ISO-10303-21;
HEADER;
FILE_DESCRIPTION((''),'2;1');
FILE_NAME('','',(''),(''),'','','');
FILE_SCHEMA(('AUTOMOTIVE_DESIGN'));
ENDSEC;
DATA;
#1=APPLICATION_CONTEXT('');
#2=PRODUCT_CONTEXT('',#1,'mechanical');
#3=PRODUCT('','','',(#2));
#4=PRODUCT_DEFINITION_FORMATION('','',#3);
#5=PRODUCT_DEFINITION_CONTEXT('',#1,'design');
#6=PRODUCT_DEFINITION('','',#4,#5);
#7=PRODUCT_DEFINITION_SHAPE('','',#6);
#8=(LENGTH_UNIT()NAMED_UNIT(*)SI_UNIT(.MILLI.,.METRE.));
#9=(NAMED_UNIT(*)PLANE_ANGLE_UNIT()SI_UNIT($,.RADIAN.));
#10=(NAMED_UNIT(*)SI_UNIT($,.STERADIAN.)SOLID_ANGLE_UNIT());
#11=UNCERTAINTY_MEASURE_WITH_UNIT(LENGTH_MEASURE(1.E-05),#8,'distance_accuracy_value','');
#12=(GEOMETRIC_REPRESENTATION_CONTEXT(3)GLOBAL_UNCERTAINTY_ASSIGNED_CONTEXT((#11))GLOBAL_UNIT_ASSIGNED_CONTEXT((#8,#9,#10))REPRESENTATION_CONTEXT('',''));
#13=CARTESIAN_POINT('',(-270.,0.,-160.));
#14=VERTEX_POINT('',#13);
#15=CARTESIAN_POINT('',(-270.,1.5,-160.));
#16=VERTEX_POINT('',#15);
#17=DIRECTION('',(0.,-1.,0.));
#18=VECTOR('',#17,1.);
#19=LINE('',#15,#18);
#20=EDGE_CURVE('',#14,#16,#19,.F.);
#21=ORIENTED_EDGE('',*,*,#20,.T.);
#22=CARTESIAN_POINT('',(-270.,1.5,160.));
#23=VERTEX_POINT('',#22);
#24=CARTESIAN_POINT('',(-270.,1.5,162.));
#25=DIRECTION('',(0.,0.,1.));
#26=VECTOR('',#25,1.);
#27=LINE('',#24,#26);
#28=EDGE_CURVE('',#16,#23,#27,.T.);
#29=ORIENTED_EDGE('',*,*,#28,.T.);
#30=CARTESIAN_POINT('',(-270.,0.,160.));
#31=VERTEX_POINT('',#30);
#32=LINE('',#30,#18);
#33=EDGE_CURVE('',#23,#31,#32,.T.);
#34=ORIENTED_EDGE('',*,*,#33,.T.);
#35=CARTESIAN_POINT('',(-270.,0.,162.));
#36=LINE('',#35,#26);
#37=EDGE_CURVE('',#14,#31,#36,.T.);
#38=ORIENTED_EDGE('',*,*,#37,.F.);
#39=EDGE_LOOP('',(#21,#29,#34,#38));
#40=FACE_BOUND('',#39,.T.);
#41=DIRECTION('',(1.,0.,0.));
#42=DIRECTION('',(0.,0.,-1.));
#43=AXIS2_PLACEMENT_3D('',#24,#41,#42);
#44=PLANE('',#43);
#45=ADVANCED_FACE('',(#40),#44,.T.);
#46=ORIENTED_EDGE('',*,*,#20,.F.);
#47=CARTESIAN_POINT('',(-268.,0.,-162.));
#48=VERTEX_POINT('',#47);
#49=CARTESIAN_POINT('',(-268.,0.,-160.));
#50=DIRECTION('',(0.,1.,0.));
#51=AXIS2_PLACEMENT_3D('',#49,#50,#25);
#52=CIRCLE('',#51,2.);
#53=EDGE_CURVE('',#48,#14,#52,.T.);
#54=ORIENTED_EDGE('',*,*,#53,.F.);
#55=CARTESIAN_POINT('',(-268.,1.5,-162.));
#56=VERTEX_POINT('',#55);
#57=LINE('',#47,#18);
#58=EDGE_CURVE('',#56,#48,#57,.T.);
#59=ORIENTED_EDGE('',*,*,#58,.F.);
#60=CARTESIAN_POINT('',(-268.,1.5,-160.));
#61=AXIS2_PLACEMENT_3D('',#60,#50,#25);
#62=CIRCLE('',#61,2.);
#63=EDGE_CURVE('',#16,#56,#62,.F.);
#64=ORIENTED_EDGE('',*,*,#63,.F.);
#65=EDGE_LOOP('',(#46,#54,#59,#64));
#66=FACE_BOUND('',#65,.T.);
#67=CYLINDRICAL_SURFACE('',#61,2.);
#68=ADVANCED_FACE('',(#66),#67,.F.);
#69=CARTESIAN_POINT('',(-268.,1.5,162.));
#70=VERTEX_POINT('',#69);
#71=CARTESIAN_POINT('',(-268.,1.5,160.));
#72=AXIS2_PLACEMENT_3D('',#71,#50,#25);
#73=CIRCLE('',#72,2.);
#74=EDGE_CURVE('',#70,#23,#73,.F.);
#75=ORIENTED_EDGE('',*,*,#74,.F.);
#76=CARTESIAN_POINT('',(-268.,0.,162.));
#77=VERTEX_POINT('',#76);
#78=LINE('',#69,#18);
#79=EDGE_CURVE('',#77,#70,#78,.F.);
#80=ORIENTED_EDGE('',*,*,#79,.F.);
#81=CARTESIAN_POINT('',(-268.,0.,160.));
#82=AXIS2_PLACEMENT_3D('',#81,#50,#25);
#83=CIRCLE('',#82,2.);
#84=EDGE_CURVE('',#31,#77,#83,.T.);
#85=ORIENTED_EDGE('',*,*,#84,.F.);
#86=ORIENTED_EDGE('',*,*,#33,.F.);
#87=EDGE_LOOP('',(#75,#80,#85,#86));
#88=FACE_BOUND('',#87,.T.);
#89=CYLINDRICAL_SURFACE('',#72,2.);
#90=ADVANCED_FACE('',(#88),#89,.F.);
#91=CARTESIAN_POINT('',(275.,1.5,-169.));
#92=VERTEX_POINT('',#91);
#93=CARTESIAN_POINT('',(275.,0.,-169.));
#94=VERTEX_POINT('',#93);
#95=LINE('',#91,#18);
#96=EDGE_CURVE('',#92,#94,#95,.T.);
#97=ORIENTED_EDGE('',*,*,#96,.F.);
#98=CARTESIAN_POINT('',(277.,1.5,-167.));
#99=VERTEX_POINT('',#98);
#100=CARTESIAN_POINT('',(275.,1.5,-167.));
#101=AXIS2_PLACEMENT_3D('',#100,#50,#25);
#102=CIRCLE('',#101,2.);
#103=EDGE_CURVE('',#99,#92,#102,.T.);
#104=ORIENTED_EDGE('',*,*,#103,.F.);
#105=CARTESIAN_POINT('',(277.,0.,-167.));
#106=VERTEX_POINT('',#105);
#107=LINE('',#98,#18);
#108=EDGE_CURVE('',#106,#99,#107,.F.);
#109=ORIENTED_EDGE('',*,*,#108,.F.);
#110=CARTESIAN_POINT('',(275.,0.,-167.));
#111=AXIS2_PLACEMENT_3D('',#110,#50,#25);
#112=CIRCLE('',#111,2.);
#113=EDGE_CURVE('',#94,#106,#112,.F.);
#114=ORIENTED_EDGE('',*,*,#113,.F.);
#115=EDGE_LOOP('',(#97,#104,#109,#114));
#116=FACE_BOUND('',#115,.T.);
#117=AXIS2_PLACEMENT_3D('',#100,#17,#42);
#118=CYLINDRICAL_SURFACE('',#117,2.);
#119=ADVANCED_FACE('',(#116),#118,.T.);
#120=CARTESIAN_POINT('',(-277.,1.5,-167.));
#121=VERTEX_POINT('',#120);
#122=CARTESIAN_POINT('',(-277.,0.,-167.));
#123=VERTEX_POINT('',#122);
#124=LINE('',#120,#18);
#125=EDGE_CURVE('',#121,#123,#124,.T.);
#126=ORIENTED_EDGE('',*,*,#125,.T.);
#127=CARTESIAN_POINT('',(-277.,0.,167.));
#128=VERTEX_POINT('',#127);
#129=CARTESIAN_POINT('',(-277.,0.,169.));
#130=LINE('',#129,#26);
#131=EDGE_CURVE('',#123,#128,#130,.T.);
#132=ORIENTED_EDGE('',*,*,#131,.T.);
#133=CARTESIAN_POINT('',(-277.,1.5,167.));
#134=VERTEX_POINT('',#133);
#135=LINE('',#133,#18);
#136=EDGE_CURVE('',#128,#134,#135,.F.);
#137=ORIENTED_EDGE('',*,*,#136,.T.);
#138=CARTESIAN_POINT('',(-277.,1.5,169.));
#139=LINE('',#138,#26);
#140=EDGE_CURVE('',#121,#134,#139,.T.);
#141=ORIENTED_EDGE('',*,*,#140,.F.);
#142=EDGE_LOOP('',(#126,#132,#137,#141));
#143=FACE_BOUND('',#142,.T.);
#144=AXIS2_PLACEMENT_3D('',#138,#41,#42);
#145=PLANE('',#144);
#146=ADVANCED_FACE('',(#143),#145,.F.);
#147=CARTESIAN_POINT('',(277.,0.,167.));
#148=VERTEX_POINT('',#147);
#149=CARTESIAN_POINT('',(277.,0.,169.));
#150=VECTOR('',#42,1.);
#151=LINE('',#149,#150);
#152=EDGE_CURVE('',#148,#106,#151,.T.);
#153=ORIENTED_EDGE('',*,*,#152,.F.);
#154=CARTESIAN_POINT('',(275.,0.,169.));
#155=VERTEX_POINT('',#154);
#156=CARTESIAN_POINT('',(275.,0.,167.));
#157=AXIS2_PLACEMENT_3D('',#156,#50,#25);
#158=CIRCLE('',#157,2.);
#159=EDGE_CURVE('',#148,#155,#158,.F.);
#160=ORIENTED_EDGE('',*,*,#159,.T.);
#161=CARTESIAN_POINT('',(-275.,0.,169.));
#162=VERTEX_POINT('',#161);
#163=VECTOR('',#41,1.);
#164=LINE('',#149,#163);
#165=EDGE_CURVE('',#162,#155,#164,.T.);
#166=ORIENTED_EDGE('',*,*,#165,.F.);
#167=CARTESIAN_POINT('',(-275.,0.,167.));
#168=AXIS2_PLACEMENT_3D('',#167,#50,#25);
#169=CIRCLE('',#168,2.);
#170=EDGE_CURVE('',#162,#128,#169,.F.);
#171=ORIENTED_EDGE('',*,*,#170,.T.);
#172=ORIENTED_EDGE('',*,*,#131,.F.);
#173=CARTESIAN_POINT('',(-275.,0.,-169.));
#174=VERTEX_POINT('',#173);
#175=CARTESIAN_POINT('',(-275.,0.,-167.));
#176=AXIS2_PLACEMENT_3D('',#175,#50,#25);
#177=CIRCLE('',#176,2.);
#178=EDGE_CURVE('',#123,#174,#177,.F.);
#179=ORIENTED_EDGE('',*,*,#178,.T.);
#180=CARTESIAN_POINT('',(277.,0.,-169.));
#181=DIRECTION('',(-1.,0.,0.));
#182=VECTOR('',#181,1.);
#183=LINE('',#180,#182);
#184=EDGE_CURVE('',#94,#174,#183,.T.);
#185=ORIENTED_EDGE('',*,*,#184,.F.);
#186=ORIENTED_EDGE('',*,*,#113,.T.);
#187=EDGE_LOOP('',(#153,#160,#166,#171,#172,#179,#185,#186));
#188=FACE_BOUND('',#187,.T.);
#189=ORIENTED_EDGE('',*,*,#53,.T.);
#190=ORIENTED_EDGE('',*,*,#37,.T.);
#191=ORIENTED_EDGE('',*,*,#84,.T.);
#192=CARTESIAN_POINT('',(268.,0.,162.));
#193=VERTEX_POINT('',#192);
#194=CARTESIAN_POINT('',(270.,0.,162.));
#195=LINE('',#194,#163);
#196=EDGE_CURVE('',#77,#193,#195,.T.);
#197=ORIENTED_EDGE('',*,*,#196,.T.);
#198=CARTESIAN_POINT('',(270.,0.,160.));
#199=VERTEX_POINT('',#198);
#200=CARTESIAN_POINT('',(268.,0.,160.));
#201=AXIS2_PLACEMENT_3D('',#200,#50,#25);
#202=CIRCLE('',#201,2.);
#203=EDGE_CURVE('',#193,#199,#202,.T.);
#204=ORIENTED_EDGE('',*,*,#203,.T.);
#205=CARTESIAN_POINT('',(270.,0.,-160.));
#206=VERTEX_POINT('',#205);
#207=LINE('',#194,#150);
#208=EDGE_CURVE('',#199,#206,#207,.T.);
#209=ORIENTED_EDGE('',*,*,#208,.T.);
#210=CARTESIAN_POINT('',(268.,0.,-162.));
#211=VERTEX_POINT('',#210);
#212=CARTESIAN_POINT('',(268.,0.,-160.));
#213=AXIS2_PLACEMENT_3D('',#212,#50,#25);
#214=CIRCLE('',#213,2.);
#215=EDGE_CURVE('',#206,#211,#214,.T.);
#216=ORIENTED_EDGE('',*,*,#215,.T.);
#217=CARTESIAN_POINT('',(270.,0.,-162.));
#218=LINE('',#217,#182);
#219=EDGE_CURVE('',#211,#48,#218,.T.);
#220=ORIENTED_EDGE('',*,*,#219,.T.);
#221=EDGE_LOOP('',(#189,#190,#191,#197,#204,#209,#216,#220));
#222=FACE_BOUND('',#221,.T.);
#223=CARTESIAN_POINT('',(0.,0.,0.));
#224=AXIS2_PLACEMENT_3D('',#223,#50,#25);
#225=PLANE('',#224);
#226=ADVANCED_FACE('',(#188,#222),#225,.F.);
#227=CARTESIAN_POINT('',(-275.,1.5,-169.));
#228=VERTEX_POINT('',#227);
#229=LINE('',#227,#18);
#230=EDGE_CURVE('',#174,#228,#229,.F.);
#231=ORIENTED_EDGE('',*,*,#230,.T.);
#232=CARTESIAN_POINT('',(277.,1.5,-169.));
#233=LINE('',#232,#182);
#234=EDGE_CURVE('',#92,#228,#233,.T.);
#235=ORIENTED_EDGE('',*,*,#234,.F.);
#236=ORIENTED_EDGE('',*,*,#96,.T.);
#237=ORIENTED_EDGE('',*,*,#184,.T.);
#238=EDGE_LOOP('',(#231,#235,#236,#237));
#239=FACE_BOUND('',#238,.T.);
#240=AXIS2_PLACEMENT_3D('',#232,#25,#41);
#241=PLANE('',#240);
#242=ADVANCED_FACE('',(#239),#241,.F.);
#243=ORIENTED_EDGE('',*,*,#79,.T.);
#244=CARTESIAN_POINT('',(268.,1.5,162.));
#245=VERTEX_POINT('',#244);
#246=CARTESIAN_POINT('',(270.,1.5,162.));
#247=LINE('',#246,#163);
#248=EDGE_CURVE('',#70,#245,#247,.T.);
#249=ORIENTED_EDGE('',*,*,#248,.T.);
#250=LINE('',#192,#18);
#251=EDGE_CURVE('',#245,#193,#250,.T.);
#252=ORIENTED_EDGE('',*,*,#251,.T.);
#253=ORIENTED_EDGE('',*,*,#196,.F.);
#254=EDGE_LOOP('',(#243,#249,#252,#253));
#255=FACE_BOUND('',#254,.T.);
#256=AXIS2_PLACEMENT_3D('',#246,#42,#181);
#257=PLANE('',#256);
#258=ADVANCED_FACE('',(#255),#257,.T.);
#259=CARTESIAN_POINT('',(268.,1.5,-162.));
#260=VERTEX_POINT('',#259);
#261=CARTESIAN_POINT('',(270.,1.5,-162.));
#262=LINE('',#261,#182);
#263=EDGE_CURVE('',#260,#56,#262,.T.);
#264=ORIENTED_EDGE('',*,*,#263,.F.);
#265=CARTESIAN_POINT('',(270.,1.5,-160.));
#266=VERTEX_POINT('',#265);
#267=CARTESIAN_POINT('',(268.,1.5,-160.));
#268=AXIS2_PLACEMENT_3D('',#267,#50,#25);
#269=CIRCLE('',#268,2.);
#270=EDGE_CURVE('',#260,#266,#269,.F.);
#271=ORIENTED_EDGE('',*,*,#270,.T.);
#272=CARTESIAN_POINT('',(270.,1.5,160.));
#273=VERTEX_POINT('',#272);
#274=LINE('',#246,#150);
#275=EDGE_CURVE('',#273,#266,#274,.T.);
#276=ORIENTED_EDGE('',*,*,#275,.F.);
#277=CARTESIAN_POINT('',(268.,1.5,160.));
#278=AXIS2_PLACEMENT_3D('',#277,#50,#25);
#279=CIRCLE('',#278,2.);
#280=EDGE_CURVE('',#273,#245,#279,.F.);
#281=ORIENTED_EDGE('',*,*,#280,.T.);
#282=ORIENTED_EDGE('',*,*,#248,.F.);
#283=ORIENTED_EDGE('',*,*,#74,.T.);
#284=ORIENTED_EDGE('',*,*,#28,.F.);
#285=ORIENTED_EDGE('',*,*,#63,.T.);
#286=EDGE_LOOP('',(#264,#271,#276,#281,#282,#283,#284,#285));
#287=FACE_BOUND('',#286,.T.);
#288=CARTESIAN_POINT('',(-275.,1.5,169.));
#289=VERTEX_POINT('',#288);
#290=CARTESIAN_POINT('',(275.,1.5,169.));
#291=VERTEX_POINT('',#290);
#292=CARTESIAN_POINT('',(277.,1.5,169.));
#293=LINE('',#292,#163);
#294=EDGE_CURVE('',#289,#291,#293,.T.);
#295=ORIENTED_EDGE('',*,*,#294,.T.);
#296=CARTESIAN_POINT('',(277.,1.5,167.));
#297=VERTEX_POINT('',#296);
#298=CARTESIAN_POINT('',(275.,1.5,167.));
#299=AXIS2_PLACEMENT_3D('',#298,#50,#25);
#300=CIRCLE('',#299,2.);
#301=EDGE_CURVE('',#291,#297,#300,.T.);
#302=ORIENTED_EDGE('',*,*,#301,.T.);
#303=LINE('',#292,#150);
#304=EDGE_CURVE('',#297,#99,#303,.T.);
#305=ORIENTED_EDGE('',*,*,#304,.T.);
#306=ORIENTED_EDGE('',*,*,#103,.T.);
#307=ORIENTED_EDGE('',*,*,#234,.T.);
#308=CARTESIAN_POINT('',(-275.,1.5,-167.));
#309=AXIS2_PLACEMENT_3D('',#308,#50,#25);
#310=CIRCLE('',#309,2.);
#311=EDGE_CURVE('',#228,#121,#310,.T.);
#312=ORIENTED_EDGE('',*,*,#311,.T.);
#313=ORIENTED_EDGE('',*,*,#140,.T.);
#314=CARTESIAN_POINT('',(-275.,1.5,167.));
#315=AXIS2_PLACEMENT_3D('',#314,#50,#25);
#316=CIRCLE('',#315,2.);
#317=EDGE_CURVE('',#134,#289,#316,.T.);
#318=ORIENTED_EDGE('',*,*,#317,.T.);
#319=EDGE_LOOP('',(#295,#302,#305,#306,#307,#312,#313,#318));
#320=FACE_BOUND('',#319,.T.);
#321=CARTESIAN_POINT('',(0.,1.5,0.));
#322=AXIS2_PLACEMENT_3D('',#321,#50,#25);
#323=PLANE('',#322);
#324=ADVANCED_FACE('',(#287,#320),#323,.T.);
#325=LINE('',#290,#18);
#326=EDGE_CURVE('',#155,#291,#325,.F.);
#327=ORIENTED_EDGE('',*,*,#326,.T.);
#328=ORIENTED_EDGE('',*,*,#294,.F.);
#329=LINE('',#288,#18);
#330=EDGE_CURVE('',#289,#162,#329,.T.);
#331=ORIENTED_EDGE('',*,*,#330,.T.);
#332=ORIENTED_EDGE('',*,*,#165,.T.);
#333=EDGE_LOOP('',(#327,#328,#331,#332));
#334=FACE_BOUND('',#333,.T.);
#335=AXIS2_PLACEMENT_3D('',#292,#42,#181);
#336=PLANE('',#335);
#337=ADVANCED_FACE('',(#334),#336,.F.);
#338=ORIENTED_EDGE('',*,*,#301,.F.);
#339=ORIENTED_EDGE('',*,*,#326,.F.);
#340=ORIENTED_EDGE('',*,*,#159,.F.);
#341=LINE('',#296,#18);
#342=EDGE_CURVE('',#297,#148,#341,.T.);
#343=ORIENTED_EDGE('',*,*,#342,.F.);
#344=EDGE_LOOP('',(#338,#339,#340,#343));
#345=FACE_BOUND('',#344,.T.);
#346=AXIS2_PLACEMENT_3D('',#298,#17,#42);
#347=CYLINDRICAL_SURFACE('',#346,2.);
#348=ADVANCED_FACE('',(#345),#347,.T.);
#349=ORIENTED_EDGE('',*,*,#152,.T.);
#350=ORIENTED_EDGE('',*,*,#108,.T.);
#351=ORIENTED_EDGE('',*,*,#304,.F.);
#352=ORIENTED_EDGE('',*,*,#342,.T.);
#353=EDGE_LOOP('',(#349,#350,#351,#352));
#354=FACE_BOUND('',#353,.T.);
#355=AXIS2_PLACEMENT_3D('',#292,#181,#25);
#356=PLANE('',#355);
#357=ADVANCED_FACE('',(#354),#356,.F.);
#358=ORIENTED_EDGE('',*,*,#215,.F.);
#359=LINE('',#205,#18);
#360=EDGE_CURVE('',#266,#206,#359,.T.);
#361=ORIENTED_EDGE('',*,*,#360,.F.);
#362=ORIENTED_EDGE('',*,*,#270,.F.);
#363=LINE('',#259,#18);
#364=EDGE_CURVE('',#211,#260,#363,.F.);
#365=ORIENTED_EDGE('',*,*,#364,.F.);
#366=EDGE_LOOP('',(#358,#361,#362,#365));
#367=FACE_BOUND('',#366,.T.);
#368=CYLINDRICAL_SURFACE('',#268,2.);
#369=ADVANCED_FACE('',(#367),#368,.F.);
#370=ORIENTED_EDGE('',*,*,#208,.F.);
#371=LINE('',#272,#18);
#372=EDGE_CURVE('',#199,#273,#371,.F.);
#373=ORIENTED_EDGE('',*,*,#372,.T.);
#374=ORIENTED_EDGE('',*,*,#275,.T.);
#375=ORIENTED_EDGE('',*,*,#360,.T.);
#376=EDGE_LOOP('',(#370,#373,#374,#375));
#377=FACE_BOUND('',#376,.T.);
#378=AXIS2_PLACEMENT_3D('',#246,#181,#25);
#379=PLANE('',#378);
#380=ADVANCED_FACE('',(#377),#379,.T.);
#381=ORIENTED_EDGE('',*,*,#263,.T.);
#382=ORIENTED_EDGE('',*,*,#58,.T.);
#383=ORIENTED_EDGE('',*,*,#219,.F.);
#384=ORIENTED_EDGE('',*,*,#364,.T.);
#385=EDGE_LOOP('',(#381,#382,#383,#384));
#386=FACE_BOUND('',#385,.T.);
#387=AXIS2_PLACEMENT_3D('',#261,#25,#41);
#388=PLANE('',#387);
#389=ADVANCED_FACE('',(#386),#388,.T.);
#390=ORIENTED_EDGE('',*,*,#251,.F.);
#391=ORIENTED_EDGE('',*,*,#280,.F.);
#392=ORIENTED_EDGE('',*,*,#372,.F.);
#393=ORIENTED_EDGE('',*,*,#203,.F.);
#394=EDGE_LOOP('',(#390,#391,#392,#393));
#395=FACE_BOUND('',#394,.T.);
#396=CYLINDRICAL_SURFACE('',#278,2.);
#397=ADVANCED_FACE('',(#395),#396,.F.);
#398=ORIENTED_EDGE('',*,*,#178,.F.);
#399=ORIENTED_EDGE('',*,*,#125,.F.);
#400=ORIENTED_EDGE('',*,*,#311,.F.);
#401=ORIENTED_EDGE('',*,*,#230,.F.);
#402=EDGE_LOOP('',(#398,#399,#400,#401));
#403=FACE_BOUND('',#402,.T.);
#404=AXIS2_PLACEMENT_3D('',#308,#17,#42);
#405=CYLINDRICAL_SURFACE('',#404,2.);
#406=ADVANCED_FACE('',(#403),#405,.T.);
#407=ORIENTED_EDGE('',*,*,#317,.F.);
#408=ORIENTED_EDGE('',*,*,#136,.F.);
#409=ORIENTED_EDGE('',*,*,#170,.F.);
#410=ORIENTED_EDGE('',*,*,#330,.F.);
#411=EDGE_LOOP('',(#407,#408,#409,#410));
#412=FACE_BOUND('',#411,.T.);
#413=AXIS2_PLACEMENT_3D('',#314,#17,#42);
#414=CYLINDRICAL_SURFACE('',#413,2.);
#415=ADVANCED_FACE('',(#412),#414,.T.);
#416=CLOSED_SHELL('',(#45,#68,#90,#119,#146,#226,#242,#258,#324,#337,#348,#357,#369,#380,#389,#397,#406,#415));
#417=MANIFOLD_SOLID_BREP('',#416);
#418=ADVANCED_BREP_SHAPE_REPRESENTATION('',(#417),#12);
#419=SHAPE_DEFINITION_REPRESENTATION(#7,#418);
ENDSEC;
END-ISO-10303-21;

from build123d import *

# Parameters (mm, degrees)
SKETCH1_W           = 554
SKETCH1_H           = 338
SKETCH1_W_2         = 540
SKETCH1_H_2         = 324
BOSS_EXTRUDE1_DEPTH = 1.5
FILLET1_R           = 2


with BuildPart() as part:
    # Sketch1 → Boss-Extrude1 (new body)
    with BuildSketch(Plane(origin=(0, 0, 0), x_dir=(1, 0, 0), z_dir=(0, 1, 0))):
        Rectangle(SKETCH1_W, SKETCH1_H)
        Rectangle(SKETCH1_W_2, SKETCH1_H_2, mode=Mode.SUBTRACT)
    extrude(amount=BOSS_EXTRUDE1_DEPTH)

    # Fillet1
    fillet1_edges = [part.edges().sort_by_distance(p)[0] for p in [
        (-270, 0.75, -162),
        (-270, 0.75, 162),
        (270, 0.75, 162),
        (270, 0.75, -162),
        (-277, 0.75, -169),
        (277, 0.75, -169),
        (277, 0.75, 169),
        (-277, 0.75, 169),
    ]]
    fillet(fillet1_edges, radius=FILLET1_R)


solid = part.part
